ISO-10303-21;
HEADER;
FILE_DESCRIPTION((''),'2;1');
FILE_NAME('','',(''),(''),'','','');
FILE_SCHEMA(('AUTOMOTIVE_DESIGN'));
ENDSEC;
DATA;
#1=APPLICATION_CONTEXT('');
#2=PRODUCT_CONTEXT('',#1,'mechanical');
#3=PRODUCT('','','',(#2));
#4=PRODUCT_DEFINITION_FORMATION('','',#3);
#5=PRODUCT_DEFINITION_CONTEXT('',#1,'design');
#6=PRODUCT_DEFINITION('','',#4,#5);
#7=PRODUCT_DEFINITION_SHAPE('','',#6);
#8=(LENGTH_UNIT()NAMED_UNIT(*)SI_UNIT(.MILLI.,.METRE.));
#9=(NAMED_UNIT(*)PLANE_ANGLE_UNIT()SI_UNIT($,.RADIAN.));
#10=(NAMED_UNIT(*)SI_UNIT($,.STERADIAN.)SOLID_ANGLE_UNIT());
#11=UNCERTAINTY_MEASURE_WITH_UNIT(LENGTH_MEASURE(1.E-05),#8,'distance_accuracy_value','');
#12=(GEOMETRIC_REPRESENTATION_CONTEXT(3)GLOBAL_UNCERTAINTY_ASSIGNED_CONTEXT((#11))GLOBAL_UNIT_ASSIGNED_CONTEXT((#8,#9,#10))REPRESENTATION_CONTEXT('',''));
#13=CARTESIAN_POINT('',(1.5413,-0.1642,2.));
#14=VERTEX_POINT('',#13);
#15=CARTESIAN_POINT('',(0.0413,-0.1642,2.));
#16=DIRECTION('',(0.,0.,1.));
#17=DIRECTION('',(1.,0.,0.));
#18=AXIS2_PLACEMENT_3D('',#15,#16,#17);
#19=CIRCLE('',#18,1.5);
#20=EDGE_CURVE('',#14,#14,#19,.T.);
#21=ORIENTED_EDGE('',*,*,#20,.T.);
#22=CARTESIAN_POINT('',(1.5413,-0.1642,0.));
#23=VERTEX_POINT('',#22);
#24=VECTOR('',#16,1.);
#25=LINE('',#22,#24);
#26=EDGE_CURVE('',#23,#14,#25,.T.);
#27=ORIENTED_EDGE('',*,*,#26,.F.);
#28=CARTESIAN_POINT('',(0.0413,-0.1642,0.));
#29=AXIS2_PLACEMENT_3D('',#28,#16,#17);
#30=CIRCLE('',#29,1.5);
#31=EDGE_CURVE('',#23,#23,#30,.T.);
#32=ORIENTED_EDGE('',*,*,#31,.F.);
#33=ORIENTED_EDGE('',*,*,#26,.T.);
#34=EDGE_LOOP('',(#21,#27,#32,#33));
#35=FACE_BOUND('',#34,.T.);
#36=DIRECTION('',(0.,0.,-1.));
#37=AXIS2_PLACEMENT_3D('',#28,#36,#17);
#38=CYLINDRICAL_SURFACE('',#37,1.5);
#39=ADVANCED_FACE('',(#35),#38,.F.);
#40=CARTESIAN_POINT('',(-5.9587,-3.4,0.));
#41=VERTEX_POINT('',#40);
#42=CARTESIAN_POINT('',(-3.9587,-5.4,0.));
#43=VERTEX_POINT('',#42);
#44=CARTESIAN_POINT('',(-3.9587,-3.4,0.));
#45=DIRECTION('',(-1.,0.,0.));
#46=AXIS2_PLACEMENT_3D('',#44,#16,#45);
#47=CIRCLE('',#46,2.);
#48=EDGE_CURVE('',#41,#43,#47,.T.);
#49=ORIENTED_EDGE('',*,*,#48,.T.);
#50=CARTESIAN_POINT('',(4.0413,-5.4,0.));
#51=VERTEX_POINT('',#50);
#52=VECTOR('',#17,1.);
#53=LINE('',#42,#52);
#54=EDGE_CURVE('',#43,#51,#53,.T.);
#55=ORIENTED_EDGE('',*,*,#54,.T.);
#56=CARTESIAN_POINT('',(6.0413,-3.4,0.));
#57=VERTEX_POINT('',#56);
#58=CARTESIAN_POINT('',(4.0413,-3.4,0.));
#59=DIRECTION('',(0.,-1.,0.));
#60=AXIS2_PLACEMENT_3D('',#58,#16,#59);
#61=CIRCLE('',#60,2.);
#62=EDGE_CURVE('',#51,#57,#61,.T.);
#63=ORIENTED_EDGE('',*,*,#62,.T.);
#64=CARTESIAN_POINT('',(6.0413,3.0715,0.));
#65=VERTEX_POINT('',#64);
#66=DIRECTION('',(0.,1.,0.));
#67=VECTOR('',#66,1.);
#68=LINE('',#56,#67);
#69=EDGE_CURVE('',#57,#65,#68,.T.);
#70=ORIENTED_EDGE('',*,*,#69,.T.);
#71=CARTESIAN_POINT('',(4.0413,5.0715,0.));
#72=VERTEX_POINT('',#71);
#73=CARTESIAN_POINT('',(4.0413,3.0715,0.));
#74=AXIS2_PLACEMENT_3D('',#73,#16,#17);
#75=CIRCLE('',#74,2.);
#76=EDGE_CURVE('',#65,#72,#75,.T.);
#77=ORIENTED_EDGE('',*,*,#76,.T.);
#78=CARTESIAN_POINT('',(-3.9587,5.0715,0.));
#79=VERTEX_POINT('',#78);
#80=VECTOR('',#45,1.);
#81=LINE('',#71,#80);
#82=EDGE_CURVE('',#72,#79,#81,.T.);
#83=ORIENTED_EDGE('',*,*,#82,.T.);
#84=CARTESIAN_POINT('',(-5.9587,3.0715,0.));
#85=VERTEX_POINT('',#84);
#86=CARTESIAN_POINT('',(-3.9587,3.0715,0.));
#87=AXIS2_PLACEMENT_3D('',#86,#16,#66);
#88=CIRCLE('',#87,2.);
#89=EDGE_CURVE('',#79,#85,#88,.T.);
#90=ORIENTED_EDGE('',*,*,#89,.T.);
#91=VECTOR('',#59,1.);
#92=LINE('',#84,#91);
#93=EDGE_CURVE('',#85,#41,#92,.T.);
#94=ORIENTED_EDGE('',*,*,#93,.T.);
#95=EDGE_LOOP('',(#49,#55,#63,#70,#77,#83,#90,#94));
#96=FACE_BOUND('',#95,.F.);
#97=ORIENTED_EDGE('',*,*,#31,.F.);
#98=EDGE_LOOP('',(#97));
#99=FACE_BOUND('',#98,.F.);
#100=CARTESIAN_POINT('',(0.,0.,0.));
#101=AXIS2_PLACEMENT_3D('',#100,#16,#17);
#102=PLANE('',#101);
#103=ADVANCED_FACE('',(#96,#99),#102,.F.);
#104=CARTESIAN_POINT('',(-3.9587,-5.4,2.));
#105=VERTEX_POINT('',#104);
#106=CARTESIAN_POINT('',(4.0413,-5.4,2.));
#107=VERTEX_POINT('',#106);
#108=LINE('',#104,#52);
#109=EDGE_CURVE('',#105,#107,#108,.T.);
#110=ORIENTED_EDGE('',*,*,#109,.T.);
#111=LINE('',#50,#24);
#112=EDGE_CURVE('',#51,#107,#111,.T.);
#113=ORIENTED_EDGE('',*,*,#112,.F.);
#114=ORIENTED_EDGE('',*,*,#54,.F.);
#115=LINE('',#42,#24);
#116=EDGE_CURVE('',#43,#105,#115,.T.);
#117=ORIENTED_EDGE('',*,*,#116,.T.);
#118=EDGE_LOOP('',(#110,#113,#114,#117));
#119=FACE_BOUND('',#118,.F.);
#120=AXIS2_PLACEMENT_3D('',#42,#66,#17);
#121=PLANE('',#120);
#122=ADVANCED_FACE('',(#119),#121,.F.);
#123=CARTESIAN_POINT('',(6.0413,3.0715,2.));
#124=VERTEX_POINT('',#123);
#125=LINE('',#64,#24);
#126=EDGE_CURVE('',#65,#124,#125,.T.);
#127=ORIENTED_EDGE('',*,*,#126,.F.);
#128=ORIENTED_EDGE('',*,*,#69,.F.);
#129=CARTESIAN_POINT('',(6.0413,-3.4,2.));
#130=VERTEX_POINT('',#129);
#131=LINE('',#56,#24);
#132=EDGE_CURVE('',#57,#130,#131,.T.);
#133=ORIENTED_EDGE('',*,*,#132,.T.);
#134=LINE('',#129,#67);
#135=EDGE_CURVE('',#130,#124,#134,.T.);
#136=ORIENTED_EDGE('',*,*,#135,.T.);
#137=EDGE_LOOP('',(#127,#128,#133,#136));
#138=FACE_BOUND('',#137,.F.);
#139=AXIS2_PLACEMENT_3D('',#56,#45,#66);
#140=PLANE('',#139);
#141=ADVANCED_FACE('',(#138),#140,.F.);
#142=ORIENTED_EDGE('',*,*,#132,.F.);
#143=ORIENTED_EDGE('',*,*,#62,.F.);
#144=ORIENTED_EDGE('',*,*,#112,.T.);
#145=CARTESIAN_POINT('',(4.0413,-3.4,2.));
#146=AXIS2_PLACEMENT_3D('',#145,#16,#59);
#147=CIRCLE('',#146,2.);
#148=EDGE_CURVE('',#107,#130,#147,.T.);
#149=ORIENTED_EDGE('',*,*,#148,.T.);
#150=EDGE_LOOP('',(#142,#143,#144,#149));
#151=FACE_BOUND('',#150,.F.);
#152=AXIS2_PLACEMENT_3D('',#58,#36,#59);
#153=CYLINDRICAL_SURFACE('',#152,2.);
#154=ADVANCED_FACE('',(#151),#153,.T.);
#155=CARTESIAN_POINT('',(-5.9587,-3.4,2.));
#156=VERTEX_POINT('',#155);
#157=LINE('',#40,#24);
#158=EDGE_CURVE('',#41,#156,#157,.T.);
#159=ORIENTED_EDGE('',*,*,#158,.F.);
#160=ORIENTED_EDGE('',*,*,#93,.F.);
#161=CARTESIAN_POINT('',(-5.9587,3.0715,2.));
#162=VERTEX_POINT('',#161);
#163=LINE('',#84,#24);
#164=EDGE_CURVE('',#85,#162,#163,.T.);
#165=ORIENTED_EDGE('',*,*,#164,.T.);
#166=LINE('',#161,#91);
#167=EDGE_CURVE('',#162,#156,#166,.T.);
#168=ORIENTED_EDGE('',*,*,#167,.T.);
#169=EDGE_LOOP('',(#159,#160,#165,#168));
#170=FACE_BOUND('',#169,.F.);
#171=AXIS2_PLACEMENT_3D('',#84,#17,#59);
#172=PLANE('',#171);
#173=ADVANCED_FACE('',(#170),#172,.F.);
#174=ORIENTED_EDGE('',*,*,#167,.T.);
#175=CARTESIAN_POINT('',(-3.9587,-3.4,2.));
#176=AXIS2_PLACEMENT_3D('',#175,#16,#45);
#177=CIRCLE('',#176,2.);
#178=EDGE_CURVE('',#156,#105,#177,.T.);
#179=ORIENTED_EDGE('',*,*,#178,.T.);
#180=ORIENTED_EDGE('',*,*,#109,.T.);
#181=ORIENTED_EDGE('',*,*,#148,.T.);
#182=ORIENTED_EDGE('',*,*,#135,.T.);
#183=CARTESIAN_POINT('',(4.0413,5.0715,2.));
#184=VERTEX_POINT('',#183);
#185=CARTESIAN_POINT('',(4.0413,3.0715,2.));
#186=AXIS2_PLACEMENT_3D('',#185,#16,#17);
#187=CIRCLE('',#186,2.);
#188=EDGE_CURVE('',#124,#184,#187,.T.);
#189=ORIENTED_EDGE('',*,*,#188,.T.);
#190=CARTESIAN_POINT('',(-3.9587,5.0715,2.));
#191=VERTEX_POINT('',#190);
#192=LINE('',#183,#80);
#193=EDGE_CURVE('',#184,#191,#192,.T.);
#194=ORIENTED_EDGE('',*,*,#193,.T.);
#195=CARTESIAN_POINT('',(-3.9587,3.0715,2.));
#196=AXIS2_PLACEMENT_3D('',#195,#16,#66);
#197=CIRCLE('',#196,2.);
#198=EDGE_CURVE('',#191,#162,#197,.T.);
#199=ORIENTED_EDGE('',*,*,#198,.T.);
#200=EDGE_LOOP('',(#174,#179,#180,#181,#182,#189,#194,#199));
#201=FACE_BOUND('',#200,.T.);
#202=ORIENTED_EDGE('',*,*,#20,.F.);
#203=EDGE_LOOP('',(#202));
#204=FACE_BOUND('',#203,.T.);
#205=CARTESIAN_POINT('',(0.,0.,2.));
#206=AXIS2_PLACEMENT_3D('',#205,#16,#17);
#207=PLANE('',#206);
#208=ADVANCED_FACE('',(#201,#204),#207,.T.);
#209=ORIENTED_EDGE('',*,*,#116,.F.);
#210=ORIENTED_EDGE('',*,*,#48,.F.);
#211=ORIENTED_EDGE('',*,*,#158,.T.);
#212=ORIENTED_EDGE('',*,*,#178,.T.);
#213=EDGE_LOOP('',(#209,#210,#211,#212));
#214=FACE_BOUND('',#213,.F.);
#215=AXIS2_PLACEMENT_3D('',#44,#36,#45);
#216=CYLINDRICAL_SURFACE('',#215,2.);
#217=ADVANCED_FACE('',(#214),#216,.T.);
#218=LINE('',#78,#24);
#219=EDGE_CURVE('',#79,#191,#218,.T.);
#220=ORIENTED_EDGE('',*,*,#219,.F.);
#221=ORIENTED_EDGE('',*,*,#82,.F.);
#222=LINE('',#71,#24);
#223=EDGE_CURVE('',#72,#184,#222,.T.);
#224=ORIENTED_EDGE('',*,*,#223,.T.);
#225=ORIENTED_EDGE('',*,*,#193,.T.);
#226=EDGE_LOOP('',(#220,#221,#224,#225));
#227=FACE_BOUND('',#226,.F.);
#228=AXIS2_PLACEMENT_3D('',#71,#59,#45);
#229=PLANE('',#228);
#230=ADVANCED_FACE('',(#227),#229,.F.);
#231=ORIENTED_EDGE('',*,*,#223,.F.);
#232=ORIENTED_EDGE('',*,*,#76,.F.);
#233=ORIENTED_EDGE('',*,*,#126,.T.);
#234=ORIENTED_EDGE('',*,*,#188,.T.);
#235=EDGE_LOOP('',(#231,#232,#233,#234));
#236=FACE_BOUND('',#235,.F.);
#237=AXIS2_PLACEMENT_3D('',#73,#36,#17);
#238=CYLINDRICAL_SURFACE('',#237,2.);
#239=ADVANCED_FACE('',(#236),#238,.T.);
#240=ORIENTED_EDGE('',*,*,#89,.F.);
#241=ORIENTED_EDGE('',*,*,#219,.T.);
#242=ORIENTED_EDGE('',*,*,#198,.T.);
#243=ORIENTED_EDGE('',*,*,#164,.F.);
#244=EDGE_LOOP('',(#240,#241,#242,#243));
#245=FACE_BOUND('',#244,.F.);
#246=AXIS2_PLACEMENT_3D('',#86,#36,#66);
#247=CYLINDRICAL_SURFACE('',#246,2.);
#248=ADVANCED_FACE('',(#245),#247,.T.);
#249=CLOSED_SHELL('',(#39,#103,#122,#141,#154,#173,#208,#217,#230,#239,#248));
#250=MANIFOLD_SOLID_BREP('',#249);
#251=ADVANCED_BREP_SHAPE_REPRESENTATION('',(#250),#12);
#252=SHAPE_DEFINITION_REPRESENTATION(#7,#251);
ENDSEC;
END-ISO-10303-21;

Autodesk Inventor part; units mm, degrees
ref_plane "YZ Plane" through (0, 0, 0) normal (1, 0, 0) x (0, 1, 0)
ref_plane "XZ Plane" through (0, 0, 0) normal (0, 1, 0) x (-1, 0, 0)
ref_plane "XY Plane" through (0, 0, 0) normal (0, 0, 1) x (1, 0, 0)
sketch "washer_sketch" plane through (0, 0, 0) normal (0, 0, 1) x (1, 0, 0)
  line L0 (4.6466, -2.6825) -> (1.9799, -4.6825) construction
  arc A0 (4.6466, -2.6825) -> (5.4466, -1.0825) centre (3.4466, -1.0825) ccw construction
  line L1 (5.4466, 5.0715) -> (5.4466, -1.0825) construction
  line L2 (5.4466, 5.0825) -> (5.4466, 5.0715) construction
  line L3 (-5.4466, 5.0825) -> (5.4466, 5.0825) construction
  line L4 (-5.4466, 0.6191) -> (-5.4466, 5.0825) construction
  arc A1 (-5.4466, 0.6191) -> (-5.0083, -0.6303) centre (-3.4466, 0.6191) ccw construction
  line L5 (-2.0471, -4.3319) -> (-5.0083, -0.6303) construction
  arc A2 (-2.0471, -4.3319) -> (-0.4853, -5.0825) centre (-0.4853, -3.0825) ccw construction
  line L6 (0.7799, -5.0825) -> (-0.4853, -5.0825) construction
  arc A3 (0.7799, -5.0825) -> (1.9799, -4.6825) centre (0.7799, -3.0825) ccw construction
  circle A4 centre (0.0413, -0.1642) radius 3.55 construction
  circle A5 centre (0.0413, -0.1642) radius 3.55 construction
  circle A6 centre (0.0413, -0.1642) radius 1.5 projected
  line L7 (-3.9587, -5.4) -> (4.0413, -5.4)
  line L8 (6.0413, -3.4) -> (6.0413, 3.0715)
  line L9 (4.0413, 5.0715) -> (-3.9587, 5.0715)
  line L10 (-5.9587, 3.0715) -> (-5.9587, -3.4)
  arc A7 (-5.9587, -3.4) -> (-3.9587, -5.4) centre (-3.9587, -3.4) ccw
  arc A8 (-3.9587, 5.0715) -> (-5.9587, 3.0715) centre (-3.9587, 3.0715) ccw
  arc A9 (6.0413, 3.0715) -> (4.0413, 5.0715) centre (4.0413, 3.0715) ccw
  arc A10 (4.0413, -5.4) -> (6.0413, -3.4) centre (4.0413, -3.4) ccw
  point P0 (0, 0)
  point P1 (-5.9587, -5.4)
  point P2 (6.0413, 5.0715)
  point P3 (6.0413, -5.4)
  point P4 (-5.9587, 5.0715)
  dimension "d0" = 10.4715
  dimension "d1" = 12
  dimension "d2" = 5.2358
  dimension "d3" = 6
  dimension "d4" = 2
extrude "washer" add sketch "washer_sketch" along normal blind 2
equation "\"d0\" = 2 * d2"
equation "\"d3\" = 0.5 * d1"
properties part number "mount_linear_stepper_washer_c" material "ABS Plastic"
